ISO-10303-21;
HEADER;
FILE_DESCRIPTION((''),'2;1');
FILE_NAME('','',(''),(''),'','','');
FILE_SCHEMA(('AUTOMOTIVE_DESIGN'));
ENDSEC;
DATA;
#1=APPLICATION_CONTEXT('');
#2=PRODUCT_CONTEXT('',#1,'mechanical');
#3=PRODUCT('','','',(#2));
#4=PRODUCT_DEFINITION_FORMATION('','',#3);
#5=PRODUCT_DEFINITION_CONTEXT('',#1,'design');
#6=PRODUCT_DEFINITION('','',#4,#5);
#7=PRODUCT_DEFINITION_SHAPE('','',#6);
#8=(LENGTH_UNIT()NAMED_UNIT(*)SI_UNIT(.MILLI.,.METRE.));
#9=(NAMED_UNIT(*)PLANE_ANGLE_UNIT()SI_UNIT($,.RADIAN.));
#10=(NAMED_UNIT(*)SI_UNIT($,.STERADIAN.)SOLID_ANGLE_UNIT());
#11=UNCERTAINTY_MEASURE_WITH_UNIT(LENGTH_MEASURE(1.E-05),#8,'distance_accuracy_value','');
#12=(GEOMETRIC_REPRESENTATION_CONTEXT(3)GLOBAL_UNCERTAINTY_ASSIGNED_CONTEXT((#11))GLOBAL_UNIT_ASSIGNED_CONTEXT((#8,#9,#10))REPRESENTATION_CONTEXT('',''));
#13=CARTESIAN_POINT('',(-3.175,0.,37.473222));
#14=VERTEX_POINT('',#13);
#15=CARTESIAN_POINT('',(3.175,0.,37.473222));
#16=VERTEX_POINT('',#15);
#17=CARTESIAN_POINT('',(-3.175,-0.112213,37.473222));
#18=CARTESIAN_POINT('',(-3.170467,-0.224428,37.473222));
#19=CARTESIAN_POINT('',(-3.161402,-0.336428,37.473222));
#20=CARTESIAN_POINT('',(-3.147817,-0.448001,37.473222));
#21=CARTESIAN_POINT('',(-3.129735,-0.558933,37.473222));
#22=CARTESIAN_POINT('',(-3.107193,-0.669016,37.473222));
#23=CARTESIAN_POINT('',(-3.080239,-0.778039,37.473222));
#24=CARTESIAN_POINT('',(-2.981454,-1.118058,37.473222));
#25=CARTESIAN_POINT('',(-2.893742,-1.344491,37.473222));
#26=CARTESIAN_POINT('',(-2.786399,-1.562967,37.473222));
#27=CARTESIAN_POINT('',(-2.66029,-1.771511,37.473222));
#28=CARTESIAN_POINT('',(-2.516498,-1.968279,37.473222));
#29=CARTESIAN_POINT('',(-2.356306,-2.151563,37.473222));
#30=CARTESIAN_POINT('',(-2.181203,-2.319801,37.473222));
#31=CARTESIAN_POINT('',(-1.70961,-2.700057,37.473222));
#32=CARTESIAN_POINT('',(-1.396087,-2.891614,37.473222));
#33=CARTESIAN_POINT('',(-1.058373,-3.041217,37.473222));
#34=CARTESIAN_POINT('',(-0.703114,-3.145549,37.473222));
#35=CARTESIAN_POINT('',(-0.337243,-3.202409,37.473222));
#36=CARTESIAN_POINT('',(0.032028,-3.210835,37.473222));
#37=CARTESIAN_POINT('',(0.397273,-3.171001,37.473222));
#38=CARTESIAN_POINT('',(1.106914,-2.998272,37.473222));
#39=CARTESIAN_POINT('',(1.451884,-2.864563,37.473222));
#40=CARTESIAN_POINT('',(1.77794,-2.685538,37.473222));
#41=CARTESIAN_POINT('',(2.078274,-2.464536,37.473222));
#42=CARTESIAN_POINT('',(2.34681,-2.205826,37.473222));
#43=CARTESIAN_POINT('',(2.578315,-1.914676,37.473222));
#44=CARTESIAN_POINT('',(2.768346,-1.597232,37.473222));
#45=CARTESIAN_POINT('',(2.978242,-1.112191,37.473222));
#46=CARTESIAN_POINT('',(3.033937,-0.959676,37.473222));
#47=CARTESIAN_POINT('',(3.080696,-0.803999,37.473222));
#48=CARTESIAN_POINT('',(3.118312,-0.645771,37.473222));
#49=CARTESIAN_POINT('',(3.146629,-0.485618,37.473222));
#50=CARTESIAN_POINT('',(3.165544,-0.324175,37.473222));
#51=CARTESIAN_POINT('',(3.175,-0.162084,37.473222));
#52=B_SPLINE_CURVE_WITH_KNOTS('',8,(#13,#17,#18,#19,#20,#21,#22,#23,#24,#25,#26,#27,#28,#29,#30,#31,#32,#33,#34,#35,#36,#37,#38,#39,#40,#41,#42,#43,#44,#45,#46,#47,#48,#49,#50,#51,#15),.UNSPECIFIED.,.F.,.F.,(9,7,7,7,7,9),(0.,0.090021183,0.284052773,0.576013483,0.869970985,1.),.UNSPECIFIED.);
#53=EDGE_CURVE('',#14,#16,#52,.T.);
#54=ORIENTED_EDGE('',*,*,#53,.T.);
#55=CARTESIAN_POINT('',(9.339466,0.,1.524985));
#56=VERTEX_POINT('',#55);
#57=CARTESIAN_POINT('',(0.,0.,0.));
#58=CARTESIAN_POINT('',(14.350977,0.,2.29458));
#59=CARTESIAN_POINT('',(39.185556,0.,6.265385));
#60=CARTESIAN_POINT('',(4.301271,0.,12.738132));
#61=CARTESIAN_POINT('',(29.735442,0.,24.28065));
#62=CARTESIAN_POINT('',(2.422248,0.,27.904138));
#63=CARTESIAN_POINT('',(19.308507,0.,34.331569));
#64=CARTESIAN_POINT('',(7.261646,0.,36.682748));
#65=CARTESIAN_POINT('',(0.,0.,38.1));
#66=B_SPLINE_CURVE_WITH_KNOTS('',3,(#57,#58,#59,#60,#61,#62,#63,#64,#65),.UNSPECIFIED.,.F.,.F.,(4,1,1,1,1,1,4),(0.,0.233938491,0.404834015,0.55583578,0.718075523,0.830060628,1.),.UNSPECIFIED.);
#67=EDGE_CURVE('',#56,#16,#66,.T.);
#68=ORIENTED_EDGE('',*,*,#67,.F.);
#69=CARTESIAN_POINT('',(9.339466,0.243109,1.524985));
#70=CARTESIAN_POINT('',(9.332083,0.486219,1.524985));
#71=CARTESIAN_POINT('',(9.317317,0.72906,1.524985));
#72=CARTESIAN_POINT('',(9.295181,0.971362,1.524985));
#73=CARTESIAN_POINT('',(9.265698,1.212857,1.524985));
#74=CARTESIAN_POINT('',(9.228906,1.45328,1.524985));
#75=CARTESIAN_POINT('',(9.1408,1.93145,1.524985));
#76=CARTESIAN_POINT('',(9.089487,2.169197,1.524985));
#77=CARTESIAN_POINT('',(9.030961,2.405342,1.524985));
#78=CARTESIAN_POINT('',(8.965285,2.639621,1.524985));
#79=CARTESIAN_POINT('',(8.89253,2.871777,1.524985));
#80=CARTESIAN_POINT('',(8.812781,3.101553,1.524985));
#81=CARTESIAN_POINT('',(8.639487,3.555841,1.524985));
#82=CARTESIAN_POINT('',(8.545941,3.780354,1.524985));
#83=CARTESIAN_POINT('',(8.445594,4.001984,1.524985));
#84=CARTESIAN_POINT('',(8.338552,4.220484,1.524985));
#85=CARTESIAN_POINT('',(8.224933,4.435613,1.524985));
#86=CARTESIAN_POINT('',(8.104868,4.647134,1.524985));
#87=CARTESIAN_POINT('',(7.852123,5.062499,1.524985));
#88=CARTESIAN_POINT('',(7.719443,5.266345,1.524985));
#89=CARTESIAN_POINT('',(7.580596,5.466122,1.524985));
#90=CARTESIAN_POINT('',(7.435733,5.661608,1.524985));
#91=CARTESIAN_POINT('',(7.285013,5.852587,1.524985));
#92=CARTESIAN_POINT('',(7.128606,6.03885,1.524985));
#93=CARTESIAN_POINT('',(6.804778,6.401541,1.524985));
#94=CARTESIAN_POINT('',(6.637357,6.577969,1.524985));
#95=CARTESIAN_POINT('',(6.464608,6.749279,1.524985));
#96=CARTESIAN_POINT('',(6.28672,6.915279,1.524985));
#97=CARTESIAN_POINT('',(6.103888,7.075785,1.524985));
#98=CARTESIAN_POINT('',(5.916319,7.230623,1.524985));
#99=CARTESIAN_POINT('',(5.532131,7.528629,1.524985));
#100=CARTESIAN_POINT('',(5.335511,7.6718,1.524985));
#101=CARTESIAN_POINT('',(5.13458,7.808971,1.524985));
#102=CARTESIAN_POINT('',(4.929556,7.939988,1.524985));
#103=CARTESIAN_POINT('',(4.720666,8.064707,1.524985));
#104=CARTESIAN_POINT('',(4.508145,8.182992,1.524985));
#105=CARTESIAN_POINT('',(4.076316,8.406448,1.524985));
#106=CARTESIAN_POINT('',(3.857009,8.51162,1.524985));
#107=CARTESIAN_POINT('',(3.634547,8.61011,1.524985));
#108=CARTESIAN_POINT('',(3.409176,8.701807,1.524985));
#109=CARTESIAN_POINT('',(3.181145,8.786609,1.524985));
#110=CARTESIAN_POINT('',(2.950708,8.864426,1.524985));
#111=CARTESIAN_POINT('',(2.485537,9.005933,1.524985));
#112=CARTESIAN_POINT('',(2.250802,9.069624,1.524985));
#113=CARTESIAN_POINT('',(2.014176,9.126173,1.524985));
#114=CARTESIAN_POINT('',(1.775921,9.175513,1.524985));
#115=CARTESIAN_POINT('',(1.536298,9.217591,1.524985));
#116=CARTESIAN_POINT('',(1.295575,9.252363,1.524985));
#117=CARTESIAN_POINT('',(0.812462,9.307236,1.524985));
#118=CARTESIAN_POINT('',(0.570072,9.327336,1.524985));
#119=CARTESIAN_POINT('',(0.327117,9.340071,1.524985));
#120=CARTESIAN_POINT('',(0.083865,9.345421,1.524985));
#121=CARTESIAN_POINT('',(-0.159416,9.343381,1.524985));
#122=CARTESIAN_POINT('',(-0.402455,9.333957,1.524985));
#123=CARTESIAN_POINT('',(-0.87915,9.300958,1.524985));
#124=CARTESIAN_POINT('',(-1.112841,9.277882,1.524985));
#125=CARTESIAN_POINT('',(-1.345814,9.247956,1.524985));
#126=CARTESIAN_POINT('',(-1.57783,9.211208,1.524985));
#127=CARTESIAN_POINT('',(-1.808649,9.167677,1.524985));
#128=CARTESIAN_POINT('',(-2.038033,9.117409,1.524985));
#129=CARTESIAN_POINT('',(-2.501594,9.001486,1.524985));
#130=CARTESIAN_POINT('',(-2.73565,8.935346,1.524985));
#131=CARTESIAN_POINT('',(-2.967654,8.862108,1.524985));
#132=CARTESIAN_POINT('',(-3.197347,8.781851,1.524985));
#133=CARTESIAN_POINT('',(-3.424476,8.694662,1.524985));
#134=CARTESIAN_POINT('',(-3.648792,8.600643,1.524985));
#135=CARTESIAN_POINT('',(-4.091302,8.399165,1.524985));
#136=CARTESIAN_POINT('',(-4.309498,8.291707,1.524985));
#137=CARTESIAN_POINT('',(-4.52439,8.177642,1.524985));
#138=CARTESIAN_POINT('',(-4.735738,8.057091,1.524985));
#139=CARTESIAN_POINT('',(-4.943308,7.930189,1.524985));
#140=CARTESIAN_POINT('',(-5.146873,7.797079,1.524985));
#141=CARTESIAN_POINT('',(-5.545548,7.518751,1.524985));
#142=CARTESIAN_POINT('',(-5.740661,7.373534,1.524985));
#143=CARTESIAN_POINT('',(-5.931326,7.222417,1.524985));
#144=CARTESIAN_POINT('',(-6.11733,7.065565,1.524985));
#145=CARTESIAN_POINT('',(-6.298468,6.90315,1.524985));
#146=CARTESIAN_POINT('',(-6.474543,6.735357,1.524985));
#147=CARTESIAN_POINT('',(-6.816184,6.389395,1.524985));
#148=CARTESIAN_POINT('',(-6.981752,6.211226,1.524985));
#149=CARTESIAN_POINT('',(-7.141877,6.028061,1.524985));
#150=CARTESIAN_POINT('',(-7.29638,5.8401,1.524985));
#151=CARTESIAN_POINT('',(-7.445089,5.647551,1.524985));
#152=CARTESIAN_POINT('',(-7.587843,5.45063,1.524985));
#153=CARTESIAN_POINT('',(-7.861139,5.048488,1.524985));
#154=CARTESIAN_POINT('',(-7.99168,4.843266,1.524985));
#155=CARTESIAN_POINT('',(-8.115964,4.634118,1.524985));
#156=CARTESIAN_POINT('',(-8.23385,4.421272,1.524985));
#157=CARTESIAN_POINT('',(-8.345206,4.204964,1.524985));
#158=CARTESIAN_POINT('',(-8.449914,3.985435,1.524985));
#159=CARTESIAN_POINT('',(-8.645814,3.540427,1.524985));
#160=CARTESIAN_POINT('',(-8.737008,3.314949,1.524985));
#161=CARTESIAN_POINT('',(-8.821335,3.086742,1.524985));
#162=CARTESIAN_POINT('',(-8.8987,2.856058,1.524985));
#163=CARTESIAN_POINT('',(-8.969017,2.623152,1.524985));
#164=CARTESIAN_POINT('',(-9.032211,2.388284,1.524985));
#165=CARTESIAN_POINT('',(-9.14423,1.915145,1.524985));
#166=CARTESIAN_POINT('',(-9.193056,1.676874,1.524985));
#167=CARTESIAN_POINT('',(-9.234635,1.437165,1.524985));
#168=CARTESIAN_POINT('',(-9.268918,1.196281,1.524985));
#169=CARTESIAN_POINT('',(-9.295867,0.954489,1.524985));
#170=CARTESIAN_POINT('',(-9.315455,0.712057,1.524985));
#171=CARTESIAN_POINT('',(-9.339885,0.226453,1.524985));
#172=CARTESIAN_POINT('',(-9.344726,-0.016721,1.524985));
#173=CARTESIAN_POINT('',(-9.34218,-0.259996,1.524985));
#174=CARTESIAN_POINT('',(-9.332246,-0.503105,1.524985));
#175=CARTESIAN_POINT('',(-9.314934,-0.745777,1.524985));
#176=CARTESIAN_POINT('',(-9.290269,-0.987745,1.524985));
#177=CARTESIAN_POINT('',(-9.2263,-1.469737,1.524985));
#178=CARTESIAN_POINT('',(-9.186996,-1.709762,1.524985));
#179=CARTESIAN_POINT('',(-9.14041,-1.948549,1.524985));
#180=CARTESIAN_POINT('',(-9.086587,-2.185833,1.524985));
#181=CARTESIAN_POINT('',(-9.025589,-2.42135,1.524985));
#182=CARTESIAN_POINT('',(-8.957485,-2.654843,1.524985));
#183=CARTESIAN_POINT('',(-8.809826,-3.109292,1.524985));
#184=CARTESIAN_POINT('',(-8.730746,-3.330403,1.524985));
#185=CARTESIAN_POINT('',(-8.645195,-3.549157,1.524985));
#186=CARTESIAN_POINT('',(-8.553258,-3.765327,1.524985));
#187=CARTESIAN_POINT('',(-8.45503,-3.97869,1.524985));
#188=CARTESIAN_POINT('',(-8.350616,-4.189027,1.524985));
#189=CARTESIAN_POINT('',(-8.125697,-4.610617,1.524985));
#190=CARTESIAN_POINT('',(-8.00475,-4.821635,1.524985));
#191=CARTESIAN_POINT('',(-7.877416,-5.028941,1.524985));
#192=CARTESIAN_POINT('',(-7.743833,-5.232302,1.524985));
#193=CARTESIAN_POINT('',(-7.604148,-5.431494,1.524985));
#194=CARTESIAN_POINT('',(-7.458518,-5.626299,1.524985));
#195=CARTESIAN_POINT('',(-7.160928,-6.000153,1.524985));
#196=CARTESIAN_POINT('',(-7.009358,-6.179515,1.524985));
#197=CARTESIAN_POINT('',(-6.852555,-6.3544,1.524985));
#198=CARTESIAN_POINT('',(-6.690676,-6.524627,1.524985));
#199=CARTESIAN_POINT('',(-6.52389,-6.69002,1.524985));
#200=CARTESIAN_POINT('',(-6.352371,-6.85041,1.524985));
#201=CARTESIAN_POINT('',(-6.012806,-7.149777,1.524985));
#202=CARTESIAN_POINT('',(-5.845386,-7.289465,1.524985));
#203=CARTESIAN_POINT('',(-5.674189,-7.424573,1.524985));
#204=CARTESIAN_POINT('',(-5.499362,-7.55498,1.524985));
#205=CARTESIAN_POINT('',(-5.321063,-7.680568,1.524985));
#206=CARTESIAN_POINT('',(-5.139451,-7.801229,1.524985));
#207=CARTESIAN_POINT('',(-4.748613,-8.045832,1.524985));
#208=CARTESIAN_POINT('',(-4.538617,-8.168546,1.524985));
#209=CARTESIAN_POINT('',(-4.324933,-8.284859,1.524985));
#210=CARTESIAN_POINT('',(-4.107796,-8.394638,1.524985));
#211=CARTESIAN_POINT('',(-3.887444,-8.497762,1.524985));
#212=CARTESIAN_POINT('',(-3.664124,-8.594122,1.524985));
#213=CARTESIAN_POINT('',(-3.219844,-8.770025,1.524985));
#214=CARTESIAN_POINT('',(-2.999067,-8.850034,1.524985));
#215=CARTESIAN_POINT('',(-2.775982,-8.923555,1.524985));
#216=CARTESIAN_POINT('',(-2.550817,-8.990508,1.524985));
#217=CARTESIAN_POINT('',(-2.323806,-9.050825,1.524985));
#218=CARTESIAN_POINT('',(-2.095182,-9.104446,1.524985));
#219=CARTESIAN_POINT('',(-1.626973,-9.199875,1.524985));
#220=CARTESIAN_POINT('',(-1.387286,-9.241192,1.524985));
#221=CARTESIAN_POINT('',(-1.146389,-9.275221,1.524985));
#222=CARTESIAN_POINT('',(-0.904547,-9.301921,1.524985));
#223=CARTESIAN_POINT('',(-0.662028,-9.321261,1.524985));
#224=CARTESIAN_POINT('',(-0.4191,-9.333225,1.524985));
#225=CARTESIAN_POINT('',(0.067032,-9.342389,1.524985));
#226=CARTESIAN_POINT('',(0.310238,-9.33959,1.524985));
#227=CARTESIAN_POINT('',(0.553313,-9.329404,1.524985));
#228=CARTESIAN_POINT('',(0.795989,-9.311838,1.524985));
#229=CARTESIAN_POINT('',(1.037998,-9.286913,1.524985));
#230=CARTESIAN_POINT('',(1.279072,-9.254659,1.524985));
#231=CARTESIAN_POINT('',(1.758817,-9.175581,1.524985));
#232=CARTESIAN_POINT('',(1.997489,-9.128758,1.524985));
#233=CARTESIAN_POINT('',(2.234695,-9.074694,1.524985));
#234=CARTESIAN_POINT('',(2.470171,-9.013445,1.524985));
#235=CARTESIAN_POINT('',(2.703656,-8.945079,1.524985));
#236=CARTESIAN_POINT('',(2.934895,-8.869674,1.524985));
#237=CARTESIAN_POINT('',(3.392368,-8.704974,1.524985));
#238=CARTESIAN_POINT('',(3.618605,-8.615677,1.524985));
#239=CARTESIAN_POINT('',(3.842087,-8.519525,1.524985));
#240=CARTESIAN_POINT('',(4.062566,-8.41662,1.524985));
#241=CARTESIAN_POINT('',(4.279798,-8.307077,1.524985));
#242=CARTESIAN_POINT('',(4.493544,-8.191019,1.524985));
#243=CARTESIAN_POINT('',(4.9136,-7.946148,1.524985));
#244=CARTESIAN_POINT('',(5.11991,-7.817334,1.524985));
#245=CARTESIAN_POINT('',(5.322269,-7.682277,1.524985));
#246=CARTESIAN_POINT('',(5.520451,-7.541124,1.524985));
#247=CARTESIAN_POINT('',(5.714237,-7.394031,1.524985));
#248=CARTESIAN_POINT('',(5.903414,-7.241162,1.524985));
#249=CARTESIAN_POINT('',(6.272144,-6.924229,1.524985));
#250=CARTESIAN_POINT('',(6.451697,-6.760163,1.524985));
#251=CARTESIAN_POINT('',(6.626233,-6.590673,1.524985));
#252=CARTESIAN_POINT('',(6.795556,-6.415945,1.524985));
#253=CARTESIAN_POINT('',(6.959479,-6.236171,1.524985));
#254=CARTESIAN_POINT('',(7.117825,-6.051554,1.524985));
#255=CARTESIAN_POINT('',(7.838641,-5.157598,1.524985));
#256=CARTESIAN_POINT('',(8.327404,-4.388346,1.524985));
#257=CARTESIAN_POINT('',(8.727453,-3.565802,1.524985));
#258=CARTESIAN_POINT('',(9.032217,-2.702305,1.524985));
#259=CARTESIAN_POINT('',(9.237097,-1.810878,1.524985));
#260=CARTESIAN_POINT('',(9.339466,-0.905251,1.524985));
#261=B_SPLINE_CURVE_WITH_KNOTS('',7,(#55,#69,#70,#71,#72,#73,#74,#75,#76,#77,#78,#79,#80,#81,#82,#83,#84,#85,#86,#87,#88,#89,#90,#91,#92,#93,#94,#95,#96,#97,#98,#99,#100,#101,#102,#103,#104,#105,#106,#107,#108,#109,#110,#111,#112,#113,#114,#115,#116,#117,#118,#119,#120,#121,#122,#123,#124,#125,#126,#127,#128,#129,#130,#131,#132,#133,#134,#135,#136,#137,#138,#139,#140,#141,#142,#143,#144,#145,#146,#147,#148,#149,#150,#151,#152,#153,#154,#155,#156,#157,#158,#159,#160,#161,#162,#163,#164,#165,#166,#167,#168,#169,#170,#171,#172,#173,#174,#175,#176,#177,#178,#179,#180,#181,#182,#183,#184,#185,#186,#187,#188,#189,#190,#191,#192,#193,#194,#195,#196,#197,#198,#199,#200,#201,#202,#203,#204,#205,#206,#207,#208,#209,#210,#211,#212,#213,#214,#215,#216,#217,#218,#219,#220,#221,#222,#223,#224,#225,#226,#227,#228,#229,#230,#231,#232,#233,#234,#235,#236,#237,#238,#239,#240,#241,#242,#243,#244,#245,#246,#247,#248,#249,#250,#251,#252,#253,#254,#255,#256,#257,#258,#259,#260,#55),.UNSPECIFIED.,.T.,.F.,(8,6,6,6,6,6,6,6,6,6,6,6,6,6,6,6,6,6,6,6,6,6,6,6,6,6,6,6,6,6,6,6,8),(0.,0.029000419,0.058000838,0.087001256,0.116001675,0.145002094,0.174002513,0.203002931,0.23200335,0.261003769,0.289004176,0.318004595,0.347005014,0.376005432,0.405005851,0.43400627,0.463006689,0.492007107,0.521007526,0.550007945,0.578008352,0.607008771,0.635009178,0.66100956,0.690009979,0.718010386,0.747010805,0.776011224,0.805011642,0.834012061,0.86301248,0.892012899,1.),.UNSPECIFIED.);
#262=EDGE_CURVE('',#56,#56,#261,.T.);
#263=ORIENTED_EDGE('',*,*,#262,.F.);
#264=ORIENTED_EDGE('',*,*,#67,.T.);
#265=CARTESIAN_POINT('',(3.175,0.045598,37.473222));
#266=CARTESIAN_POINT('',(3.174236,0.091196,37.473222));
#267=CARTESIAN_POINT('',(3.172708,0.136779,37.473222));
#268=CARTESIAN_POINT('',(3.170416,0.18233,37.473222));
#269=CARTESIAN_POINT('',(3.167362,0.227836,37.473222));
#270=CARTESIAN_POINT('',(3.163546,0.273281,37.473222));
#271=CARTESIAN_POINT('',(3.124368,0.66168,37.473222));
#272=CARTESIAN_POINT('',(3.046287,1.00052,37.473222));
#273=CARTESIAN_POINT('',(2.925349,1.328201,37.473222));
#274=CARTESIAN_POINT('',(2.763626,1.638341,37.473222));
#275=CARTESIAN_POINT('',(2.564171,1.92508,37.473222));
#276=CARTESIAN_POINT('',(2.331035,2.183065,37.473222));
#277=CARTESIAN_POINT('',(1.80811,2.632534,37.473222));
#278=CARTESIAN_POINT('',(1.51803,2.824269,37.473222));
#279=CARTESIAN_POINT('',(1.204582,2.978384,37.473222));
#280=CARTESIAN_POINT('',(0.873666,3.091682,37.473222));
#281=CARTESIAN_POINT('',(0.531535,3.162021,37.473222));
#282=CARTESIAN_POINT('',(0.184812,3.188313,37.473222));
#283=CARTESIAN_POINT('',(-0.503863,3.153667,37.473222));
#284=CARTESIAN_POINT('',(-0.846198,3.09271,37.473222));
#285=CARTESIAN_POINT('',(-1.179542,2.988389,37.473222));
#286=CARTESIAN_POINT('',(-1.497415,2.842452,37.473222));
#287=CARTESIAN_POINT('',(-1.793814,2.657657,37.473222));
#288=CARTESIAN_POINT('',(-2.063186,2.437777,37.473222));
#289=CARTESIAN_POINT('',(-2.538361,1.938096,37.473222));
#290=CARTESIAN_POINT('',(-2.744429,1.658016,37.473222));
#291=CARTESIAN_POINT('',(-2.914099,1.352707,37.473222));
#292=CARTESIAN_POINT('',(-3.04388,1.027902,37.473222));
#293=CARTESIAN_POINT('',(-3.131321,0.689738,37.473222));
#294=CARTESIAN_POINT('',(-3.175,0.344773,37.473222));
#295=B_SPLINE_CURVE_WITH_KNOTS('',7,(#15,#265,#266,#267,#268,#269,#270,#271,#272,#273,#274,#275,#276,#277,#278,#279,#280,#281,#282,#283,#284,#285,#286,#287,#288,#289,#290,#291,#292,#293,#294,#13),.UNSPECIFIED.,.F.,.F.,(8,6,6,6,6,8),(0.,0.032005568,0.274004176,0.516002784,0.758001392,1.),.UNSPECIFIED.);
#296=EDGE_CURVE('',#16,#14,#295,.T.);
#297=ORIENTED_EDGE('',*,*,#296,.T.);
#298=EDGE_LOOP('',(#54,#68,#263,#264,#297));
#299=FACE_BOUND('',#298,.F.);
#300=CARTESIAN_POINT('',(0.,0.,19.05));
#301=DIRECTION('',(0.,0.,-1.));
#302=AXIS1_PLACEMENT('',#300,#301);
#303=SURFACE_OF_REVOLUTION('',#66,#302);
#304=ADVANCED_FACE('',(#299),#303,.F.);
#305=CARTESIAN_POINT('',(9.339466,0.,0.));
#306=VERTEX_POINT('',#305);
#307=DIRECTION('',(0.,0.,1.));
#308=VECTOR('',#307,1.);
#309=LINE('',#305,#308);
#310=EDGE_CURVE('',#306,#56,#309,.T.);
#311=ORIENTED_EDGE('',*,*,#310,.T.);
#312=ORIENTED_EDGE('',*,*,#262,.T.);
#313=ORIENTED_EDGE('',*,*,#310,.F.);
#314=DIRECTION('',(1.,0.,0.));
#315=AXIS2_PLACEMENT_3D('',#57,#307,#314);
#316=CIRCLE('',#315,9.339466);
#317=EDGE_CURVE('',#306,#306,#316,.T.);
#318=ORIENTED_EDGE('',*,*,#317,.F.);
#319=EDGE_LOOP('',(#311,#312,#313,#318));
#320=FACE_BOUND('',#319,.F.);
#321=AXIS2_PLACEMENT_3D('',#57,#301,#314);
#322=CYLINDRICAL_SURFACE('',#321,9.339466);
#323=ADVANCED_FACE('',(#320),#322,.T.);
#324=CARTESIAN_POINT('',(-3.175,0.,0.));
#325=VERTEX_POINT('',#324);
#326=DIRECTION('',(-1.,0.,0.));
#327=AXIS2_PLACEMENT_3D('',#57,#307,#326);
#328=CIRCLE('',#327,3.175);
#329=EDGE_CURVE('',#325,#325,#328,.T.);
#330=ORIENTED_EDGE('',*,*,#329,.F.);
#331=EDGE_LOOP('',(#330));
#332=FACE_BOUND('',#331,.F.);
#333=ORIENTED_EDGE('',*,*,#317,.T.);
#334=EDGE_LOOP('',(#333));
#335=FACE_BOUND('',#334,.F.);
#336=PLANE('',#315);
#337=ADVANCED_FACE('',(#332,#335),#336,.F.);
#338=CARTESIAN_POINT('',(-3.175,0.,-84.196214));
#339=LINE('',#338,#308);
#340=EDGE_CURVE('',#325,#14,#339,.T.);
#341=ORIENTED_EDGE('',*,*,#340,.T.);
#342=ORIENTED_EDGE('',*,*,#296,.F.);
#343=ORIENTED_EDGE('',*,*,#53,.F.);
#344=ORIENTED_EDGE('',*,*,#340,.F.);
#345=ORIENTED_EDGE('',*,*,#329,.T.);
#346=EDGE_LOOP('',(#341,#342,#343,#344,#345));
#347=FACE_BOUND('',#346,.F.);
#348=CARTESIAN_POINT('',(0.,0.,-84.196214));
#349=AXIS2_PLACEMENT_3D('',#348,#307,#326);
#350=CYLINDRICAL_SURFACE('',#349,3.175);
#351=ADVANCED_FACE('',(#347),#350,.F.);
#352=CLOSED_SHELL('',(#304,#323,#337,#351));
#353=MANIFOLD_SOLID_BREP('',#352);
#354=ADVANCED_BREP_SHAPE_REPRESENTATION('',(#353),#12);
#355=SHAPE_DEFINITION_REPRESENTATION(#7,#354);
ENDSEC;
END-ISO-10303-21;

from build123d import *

# Parameters (mm, degrees)
F2_R     = 9.3394662064
F3_DEPTH = 12.7
F5_D     = 6.35


with BuildPart() as f1:
    # F0 (on Front) → F1 (revolve)
    with BuildSketch(Plane.XZ):
        with BuildLine():
            Line((0, 38.1), (0, 0))
            add(Edge.make_bspline(
                [(0, 0), (14.350977372, 2.2945801413), (39.1855557702, 6.2653849814), (4.3012712165, 12.7381315434), (29.7354424134, 24.2806495401), (2.422248214, 27.9041384292), (19.3085066306, 34.3315694195), (7.2616463998, 36.6827484807), (0, 38.1)],
                knots=[0, 0, 0, 0, 0.2339384907, 0.4048340149, 0.5558357804, 0.7180755229, 0.8300606279, 1, 1, 1, 1], degree=3))
        make_face()
    revolve(axis=Axis((0, 0, 19.05), (0, 0, -1)))

    # F2 (on Top) → F3 (join)
    with BuildSketch(Plane.XY):
        Circle(F2_R)
    extrude(amount=F3_DEPTH)

    # F5 (through all)
    with Locations(Plane(origin=(0, 0, 0), x_dir=(1, 0, 0), z_dir=(0, 0, -1))):
        with Locations((0, 0)):
            Hole(F5_D / 2)


solid = f1.part
